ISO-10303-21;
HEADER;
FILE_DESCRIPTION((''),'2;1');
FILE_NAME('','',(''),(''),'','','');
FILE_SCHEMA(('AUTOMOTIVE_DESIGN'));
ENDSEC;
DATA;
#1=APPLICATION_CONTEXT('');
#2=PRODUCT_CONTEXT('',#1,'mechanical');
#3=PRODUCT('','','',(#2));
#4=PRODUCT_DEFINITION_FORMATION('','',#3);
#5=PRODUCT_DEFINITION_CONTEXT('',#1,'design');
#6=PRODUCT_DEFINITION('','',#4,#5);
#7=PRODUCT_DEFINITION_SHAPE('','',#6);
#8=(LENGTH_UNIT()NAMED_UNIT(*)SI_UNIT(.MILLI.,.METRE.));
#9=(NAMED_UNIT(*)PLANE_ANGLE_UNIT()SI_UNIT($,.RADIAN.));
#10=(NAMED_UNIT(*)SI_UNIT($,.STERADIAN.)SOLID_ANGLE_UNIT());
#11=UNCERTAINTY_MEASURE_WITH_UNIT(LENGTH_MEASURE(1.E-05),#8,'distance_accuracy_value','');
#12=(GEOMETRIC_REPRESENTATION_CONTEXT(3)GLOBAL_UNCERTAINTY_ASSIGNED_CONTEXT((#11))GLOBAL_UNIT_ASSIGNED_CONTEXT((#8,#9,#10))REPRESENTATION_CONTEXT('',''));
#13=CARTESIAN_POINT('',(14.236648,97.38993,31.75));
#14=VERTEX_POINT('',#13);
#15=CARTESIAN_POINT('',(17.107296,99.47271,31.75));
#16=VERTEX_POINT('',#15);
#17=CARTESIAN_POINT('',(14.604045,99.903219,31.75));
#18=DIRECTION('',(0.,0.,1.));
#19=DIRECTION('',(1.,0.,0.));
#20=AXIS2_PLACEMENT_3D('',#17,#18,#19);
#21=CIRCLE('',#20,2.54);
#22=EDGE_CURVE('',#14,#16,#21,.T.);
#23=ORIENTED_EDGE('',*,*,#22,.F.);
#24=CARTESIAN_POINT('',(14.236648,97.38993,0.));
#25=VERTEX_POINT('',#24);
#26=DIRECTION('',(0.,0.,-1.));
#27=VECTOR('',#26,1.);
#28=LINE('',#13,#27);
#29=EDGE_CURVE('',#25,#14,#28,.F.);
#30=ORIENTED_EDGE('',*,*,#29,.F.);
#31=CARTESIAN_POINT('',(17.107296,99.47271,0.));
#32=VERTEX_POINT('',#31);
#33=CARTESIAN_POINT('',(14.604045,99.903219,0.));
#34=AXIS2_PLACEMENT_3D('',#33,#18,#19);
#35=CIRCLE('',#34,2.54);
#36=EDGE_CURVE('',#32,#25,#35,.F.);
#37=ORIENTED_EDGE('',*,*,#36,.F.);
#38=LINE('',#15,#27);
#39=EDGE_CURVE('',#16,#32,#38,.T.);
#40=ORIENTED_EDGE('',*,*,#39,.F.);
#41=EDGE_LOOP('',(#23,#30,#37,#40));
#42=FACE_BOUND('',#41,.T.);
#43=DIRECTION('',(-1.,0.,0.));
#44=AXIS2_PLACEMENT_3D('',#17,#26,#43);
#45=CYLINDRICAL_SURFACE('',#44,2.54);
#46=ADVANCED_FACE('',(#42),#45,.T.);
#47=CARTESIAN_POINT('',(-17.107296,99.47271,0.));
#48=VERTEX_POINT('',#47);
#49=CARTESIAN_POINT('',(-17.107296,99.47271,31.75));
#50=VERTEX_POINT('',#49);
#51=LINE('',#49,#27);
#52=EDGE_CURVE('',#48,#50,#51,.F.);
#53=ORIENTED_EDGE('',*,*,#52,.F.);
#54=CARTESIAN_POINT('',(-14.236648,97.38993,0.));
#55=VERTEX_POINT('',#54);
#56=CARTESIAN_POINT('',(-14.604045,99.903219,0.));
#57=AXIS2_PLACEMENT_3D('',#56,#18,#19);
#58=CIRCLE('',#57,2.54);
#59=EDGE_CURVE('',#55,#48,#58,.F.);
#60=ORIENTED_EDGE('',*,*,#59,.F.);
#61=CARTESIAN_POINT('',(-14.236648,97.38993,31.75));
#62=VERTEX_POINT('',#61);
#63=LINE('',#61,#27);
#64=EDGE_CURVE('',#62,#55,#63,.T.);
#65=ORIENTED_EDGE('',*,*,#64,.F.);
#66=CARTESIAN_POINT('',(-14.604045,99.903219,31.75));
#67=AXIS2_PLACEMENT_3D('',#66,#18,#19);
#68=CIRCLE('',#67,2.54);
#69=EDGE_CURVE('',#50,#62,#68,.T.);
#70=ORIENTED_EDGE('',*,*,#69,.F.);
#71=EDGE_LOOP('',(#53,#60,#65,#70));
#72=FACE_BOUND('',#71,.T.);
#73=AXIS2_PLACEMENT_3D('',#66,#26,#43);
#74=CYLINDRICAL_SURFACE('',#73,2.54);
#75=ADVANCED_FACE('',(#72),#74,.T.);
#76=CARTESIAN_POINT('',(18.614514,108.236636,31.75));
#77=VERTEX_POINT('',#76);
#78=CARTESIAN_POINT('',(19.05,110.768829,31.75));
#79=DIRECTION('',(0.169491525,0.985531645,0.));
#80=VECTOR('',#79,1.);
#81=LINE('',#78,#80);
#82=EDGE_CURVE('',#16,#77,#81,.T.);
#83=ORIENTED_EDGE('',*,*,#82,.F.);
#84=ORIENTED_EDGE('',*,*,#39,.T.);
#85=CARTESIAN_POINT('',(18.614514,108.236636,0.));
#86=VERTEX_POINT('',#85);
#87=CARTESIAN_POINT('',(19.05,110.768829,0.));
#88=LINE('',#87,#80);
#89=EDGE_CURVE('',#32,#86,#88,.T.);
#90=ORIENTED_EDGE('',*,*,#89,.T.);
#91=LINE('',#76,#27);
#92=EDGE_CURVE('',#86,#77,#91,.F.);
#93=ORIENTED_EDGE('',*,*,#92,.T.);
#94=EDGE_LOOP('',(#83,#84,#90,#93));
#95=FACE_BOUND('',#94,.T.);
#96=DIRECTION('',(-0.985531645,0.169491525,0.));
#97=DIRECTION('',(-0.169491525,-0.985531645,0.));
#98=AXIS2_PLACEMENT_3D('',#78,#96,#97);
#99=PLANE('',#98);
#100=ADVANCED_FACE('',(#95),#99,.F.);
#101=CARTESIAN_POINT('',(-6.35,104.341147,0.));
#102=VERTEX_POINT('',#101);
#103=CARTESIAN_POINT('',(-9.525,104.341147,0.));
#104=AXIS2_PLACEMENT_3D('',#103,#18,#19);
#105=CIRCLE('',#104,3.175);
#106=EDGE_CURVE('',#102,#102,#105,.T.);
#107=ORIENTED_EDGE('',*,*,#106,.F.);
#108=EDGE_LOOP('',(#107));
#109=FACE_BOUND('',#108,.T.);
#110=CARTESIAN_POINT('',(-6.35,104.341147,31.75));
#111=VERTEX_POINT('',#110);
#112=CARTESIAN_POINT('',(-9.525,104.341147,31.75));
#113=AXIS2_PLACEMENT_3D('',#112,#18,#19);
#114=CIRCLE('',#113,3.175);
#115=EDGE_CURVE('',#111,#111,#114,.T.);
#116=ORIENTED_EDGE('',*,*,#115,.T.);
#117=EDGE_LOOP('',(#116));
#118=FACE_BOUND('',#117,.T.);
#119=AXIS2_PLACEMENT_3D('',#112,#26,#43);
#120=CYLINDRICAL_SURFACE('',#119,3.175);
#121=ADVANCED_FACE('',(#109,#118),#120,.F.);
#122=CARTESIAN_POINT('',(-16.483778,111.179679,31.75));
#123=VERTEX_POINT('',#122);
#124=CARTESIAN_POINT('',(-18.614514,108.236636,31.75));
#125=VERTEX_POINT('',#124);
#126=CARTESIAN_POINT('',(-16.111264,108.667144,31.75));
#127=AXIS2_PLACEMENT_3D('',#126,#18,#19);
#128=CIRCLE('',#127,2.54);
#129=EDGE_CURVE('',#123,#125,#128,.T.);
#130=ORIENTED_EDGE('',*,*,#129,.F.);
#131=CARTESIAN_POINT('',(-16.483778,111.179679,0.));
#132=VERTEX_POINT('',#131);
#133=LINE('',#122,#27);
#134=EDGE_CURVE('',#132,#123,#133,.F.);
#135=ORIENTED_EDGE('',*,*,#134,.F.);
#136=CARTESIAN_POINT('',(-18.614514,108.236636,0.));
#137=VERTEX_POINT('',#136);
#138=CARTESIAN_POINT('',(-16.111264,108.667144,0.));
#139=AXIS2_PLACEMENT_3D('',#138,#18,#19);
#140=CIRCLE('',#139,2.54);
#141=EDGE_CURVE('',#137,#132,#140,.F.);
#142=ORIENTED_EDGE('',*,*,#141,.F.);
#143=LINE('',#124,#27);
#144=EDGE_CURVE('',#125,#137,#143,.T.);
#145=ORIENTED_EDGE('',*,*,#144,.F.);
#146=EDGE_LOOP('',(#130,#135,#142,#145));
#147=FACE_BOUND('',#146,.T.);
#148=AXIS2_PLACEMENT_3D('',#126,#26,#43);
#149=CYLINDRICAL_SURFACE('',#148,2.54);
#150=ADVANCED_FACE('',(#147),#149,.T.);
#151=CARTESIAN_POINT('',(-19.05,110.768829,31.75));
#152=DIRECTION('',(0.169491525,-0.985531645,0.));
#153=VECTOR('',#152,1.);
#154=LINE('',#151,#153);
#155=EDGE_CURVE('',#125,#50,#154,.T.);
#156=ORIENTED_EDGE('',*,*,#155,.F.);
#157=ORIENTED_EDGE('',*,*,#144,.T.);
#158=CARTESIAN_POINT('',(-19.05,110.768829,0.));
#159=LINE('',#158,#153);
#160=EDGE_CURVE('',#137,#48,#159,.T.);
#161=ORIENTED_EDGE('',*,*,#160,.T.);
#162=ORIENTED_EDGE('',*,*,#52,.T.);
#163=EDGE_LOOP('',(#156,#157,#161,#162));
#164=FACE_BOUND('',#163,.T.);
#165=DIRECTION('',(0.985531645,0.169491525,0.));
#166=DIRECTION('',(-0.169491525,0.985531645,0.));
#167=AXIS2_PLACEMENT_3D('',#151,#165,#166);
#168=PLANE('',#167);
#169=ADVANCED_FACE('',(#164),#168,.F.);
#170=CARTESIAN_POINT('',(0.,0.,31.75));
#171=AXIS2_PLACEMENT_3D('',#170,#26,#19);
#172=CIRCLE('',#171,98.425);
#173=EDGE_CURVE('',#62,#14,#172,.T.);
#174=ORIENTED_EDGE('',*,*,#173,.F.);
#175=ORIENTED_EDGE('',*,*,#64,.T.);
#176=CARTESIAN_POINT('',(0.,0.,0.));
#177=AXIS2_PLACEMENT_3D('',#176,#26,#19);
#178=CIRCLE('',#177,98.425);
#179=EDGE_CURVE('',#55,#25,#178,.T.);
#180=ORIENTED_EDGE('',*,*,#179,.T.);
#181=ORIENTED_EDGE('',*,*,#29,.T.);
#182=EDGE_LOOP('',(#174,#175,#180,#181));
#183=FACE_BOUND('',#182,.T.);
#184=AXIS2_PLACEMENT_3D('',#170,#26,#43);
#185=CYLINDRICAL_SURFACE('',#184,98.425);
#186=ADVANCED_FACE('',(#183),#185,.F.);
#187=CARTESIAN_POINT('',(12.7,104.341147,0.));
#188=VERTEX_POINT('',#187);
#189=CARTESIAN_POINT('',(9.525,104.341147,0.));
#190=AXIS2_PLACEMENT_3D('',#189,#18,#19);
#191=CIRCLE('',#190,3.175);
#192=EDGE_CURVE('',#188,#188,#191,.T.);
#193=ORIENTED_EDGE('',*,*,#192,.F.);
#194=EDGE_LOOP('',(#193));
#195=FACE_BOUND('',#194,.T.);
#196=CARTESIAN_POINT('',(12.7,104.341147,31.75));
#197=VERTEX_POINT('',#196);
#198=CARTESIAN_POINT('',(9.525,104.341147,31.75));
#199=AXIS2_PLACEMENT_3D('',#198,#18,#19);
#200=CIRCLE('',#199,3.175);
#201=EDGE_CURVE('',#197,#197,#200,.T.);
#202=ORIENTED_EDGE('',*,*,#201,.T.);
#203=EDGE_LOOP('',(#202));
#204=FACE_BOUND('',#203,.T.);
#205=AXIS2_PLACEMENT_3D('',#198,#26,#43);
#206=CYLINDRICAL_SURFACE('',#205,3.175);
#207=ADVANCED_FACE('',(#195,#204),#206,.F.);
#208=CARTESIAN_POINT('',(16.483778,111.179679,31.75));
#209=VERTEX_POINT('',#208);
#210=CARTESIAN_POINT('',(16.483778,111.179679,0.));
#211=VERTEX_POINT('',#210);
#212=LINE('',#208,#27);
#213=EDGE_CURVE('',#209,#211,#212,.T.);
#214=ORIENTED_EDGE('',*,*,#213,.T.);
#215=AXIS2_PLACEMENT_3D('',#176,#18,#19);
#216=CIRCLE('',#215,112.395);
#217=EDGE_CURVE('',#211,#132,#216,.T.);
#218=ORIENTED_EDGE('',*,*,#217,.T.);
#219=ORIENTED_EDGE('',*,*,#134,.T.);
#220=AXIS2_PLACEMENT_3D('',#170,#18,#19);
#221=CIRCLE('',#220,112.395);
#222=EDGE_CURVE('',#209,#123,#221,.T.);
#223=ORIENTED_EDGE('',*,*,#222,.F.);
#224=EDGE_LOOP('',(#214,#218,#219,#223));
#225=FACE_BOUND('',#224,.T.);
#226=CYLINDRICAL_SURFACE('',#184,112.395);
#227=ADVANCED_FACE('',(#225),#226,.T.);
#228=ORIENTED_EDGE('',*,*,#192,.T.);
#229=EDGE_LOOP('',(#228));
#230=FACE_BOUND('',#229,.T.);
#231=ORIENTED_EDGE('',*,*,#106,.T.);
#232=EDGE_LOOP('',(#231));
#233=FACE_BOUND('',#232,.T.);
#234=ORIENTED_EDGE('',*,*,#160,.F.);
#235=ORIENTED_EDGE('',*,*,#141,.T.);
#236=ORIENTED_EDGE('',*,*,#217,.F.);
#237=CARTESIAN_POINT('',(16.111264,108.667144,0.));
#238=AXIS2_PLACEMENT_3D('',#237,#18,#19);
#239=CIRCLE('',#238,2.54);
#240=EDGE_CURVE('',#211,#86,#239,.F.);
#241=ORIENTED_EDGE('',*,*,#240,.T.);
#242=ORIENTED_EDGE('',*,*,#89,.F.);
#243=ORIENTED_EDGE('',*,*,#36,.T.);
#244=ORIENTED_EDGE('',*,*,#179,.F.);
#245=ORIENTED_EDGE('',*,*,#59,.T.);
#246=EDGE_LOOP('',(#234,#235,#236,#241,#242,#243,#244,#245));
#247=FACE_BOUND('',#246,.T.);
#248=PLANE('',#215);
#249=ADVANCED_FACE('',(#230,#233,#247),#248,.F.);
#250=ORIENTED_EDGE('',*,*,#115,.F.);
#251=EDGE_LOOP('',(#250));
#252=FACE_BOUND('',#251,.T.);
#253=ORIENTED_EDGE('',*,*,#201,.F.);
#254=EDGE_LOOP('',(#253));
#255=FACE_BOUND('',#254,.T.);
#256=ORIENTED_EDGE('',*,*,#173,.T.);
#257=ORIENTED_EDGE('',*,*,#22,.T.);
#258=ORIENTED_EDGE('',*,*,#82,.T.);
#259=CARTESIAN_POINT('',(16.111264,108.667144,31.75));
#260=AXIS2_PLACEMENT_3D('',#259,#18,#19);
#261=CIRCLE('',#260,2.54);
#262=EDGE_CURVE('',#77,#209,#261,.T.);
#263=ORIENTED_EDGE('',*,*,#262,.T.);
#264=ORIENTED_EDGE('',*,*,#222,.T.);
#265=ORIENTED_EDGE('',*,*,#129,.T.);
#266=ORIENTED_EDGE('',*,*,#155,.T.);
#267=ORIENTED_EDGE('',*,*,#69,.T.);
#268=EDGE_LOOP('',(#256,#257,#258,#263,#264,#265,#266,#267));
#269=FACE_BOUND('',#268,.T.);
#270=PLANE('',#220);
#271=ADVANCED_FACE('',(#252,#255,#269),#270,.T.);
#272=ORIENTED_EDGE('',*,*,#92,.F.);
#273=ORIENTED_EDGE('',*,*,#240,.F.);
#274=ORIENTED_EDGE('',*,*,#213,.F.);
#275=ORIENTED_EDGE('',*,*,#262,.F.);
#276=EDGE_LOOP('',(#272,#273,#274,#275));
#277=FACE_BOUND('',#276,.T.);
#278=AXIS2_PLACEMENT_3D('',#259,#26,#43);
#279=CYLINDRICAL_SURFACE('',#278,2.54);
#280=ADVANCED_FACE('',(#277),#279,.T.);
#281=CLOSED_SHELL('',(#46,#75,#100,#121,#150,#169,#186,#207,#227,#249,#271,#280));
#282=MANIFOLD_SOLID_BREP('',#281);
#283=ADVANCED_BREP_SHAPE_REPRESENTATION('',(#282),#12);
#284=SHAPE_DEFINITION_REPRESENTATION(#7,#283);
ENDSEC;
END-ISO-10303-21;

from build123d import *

# Parameters (mm, degrees)
SKETCH1_R           = 3.175
BOSS_EXTRUDE1_DEPTH = 31.75
FILLET1_R           = 2.54


with BuildPart() as part:
    # Sketch1 → Boss-Extrude1 (new body)
    with BuildSketch(Plane.XY):
        with BuildLine():
            Line((-19.05, 110.768829212), (-16.68220339, 97.000952135))
            ThreePointArc((-16.68220339, 97.000952135), (0, 98.425), (16.68220339, 97.000952135))
            Line((16.68220339, 97.000952135), (19.05, 110.768829212))
            ThreePointArc((19.05, 110.768829212), (0, 112.395), (-19.05, 110.768829212))
        make_face()
        with Locations((9.525, 104.341147205)):
            Circle(SKETCH1_R, mode=Mode.SUBTRACT)
        with Locations((-9.525, 104.341147205)):
            Circle(SKETCH1_R, mode=Mode.SUBTRACT)
    extrude(amount=BOSS_EXTRUDE1_DEPTH)

    # Fillet1
    fillet1_edges = [part.edges().sort_by_distance(p)[0] for p in [
        (19.05, 110.768829212, 15.875),
        (16.68220339, 97.000952135, 15.875),
        (-16.68220339, 97.000952135, 15.875),
        (-19.05, 110.768829212, 15.875),
    ]]
    fillet(fillet1_edges, radius=FILLET1_R)


solid = part.part
